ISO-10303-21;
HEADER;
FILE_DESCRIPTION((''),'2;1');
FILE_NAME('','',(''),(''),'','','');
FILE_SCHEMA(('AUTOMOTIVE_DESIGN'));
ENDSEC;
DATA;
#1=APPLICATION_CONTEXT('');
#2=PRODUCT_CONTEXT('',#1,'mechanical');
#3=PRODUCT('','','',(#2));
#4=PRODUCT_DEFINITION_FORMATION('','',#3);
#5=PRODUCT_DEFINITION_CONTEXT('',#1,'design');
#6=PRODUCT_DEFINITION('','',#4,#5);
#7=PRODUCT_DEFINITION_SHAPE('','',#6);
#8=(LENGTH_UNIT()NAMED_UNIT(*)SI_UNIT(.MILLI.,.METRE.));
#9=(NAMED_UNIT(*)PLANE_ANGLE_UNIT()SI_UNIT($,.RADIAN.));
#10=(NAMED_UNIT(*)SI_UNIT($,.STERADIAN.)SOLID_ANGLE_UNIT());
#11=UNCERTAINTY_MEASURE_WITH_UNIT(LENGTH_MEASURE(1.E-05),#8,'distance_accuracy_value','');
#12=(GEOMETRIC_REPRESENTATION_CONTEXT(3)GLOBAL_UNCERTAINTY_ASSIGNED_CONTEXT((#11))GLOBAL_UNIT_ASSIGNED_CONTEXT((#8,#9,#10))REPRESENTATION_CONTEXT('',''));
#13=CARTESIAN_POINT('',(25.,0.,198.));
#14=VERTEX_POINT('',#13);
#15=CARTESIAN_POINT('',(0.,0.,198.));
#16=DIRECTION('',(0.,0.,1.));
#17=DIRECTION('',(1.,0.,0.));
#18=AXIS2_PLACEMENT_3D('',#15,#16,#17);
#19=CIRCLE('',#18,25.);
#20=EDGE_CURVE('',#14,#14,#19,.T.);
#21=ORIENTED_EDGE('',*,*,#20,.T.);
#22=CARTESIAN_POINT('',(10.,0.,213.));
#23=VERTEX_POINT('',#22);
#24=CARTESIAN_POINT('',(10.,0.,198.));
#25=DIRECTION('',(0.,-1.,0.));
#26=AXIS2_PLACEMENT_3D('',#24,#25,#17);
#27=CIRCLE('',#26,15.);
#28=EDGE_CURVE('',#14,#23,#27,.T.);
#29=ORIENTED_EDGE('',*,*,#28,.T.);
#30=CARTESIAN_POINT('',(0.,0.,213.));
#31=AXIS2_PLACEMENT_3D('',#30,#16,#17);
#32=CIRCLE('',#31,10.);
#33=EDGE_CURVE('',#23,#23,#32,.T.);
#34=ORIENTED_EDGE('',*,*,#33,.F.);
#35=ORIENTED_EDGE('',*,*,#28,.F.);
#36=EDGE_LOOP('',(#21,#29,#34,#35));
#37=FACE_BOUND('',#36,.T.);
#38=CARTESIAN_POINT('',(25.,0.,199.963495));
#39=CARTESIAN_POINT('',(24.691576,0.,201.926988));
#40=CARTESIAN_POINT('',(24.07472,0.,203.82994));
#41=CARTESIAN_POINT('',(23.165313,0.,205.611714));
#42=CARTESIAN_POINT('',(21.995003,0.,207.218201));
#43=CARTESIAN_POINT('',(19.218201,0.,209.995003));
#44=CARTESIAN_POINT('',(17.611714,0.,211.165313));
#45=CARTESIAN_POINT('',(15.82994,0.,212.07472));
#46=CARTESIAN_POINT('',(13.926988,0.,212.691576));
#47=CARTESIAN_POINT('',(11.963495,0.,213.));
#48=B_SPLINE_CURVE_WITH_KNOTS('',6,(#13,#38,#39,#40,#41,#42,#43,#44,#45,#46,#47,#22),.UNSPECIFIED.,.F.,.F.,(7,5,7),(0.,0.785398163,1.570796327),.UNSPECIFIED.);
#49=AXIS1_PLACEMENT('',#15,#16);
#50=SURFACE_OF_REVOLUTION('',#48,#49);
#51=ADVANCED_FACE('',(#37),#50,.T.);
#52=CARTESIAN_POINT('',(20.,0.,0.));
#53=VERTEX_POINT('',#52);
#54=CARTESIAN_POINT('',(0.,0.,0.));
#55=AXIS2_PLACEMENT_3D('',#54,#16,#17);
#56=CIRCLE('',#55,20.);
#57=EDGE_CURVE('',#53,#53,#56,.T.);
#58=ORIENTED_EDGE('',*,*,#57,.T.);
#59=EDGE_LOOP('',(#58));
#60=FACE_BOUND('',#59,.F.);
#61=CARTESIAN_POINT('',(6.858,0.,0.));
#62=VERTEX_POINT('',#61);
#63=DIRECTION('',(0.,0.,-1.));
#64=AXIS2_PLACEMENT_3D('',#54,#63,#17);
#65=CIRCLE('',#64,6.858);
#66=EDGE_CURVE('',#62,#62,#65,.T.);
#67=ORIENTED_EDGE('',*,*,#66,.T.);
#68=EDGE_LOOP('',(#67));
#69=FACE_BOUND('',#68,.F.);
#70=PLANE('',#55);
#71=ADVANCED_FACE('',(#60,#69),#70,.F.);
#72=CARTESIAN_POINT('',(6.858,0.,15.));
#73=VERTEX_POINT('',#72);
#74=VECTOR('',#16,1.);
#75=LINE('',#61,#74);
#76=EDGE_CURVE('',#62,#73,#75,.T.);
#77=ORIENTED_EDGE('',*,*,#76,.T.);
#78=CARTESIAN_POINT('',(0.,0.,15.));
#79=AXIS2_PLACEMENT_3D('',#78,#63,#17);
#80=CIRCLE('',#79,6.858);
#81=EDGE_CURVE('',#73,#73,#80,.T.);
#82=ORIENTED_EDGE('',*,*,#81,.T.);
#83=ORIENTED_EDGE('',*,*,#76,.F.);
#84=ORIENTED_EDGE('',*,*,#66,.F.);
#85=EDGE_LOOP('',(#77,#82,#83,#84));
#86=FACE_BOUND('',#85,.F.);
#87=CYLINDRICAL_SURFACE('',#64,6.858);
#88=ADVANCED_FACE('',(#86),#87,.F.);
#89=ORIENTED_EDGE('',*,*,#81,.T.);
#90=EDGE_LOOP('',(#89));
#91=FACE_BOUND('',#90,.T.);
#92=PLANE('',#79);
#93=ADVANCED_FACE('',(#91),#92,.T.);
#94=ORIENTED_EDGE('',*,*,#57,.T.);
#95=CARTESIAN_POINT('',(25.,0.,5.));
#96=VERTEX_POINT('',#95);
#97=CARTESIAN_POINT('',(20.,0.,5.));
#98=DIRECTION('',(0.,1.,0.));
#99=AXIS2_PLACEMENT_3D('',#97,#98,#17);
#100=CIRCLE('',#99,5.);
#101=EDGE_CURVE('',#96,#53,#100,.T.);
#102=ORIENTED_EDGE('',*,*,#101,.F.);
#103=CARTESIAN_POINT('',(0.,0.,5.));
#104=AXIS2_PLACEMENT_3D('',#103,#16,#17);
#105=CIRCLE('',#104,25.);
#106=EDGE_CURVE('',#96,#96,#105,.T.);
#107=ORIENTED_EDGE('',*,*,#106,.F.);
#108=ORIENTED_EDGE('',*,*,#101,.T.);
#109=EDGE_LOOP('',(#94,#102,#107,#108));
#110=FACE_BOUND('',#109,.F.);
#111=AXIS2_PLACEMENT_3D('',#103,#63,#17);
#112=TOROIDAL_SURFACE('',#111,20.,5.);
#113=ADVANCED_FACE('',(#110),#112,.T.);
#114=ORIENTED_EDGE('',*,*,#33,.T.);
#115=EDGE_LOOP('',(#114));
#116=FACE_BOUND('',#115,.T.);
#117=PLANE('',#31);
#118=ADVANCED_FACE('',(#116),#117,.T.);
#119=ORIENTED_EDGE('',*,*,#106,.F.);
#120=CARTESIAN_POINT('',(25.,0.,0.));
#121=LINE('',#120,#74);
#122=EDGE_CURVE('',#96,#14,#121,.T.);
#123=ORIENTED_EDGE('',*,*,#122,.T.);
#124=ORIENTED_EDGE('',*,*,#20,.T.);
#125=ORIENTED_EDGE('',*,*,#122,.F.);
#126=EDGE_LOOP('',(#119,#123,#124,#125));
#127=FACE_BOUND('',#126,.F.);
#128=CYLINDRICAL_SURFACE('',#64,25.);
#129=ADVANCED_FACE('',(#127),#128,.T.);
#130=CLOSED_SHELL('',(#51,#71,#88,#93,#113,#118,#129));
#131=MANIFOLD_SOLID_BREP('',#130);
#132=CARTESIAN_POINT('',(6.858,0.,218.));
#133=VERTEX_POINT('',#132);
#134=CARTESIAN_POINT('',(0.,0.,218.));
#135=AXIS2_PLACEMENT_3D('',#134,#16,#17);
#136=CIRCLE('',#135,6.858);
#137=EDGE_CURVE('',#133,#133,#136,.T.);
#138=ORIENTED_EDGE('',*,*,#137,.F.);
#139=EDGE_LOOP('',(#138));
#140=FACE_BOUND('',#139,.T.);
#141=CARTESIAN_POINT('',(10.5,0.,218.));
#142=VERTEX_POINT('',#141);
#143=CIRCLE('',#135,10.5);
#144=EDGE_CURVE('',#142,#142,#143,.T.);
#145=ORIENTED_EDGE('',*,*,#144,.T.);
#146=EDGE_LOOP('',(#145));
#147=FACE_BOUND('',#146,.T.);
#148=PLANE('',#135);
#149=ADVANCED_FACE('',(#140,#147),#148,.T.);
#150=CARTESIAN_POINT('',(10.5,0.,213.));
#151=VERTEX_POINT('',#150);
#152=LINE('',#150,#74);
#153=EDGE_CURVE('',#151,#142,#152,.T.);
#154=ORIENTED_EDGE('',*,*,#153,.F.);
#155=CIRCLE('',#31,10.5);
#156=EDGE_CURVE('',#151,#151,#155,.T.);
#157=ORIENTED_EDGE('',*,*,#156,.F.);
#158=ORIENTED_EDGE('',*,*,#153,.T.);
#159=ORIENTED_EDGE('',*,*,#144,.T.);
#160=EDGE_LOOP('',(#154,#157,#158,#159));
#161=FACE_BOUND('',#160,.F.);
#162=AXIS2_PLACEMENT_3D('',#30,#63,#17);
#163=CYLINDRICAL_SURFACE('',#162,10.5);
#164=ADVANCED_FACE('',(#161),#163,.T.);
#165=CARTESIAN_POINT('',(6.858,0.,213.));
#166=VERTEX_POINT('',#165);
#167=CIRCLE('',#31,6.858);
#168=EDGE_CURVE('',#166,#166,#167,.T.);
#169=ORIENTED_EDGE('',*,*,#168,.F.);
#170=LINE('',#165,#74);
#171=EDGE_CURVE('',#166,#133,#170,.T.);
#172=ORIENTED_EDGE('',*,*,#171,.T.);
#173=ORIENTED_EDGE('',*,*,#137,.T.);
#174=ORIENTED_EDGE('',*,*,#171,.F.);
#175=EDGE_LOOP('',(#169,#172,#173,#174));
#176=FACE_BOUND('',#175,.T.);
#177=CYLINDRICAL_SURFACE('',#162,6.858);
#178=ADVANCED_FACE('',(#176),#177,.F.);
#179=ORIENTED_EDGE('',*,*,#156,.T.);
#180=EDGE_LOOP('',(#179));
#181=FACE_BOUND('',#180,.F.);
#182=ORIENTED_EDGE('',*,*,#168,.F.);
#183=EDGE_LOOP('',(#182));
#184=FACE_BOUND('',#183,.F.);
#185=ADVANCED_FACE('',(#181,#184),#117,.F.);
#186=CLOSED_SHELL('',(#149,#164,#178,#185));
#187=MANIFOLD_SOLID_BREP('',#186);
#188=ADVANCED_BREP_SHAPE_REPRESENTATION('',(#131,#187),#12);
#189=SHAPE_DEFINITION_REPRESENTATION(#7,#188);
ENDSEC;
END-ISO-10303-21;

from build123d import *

# Parameters (mm, degrees)
F0_R     = 25
F1_DEPTH = 213
F2_R     = 15
F3_R     = 5
F4_R     = 10.5
F4_R_2   = 6.858
F5_DEPTH = 5
F6_R     = 6.858
F7_DEPTH = 15


with BuildPart() as f1:
    # F0 (on Top) → F1 (new body)
    with BuildSketch(Plane.XY):
        Circle(F0_R)
    extrude(amount=F1_DEPTH)

    # F2
    f2_edges = [f1.edges().sort_by_distance(p)[0] for p in [
        (-25, 0, 213),
    ]]
    fillet(f2_edges, radius=F2_R)

    # F3
    f3_edges = [f1.edges().sort_by_distance(p)[0] for p in [
        (-25, 0, 0),
    ]]
    fillet(f3_edges, radius=F3_R)

    # F6 (on face) → F7 (cut)
    with BuildSketch(Plane(origin=(0, 0, 0), x_dir=(1, 0, 0), z_dir=(0, 0, -1))):
        Circle(F6_R)
    extrude(amount=-F7_DEPTH, mode=Mode.SUBTRACT)


with BuildPart() as f5:
    # F4 (on face) → F5 (new body)
    with BuildSketch(Plane.XY.offset(213)):
        Circle(F4_R)
        Circle(F4_R_2, mode=Mode.SUBTRACT)
    extrude(amount=F5_DEPTH)


solid = Compound([f1.part, f5.part])
